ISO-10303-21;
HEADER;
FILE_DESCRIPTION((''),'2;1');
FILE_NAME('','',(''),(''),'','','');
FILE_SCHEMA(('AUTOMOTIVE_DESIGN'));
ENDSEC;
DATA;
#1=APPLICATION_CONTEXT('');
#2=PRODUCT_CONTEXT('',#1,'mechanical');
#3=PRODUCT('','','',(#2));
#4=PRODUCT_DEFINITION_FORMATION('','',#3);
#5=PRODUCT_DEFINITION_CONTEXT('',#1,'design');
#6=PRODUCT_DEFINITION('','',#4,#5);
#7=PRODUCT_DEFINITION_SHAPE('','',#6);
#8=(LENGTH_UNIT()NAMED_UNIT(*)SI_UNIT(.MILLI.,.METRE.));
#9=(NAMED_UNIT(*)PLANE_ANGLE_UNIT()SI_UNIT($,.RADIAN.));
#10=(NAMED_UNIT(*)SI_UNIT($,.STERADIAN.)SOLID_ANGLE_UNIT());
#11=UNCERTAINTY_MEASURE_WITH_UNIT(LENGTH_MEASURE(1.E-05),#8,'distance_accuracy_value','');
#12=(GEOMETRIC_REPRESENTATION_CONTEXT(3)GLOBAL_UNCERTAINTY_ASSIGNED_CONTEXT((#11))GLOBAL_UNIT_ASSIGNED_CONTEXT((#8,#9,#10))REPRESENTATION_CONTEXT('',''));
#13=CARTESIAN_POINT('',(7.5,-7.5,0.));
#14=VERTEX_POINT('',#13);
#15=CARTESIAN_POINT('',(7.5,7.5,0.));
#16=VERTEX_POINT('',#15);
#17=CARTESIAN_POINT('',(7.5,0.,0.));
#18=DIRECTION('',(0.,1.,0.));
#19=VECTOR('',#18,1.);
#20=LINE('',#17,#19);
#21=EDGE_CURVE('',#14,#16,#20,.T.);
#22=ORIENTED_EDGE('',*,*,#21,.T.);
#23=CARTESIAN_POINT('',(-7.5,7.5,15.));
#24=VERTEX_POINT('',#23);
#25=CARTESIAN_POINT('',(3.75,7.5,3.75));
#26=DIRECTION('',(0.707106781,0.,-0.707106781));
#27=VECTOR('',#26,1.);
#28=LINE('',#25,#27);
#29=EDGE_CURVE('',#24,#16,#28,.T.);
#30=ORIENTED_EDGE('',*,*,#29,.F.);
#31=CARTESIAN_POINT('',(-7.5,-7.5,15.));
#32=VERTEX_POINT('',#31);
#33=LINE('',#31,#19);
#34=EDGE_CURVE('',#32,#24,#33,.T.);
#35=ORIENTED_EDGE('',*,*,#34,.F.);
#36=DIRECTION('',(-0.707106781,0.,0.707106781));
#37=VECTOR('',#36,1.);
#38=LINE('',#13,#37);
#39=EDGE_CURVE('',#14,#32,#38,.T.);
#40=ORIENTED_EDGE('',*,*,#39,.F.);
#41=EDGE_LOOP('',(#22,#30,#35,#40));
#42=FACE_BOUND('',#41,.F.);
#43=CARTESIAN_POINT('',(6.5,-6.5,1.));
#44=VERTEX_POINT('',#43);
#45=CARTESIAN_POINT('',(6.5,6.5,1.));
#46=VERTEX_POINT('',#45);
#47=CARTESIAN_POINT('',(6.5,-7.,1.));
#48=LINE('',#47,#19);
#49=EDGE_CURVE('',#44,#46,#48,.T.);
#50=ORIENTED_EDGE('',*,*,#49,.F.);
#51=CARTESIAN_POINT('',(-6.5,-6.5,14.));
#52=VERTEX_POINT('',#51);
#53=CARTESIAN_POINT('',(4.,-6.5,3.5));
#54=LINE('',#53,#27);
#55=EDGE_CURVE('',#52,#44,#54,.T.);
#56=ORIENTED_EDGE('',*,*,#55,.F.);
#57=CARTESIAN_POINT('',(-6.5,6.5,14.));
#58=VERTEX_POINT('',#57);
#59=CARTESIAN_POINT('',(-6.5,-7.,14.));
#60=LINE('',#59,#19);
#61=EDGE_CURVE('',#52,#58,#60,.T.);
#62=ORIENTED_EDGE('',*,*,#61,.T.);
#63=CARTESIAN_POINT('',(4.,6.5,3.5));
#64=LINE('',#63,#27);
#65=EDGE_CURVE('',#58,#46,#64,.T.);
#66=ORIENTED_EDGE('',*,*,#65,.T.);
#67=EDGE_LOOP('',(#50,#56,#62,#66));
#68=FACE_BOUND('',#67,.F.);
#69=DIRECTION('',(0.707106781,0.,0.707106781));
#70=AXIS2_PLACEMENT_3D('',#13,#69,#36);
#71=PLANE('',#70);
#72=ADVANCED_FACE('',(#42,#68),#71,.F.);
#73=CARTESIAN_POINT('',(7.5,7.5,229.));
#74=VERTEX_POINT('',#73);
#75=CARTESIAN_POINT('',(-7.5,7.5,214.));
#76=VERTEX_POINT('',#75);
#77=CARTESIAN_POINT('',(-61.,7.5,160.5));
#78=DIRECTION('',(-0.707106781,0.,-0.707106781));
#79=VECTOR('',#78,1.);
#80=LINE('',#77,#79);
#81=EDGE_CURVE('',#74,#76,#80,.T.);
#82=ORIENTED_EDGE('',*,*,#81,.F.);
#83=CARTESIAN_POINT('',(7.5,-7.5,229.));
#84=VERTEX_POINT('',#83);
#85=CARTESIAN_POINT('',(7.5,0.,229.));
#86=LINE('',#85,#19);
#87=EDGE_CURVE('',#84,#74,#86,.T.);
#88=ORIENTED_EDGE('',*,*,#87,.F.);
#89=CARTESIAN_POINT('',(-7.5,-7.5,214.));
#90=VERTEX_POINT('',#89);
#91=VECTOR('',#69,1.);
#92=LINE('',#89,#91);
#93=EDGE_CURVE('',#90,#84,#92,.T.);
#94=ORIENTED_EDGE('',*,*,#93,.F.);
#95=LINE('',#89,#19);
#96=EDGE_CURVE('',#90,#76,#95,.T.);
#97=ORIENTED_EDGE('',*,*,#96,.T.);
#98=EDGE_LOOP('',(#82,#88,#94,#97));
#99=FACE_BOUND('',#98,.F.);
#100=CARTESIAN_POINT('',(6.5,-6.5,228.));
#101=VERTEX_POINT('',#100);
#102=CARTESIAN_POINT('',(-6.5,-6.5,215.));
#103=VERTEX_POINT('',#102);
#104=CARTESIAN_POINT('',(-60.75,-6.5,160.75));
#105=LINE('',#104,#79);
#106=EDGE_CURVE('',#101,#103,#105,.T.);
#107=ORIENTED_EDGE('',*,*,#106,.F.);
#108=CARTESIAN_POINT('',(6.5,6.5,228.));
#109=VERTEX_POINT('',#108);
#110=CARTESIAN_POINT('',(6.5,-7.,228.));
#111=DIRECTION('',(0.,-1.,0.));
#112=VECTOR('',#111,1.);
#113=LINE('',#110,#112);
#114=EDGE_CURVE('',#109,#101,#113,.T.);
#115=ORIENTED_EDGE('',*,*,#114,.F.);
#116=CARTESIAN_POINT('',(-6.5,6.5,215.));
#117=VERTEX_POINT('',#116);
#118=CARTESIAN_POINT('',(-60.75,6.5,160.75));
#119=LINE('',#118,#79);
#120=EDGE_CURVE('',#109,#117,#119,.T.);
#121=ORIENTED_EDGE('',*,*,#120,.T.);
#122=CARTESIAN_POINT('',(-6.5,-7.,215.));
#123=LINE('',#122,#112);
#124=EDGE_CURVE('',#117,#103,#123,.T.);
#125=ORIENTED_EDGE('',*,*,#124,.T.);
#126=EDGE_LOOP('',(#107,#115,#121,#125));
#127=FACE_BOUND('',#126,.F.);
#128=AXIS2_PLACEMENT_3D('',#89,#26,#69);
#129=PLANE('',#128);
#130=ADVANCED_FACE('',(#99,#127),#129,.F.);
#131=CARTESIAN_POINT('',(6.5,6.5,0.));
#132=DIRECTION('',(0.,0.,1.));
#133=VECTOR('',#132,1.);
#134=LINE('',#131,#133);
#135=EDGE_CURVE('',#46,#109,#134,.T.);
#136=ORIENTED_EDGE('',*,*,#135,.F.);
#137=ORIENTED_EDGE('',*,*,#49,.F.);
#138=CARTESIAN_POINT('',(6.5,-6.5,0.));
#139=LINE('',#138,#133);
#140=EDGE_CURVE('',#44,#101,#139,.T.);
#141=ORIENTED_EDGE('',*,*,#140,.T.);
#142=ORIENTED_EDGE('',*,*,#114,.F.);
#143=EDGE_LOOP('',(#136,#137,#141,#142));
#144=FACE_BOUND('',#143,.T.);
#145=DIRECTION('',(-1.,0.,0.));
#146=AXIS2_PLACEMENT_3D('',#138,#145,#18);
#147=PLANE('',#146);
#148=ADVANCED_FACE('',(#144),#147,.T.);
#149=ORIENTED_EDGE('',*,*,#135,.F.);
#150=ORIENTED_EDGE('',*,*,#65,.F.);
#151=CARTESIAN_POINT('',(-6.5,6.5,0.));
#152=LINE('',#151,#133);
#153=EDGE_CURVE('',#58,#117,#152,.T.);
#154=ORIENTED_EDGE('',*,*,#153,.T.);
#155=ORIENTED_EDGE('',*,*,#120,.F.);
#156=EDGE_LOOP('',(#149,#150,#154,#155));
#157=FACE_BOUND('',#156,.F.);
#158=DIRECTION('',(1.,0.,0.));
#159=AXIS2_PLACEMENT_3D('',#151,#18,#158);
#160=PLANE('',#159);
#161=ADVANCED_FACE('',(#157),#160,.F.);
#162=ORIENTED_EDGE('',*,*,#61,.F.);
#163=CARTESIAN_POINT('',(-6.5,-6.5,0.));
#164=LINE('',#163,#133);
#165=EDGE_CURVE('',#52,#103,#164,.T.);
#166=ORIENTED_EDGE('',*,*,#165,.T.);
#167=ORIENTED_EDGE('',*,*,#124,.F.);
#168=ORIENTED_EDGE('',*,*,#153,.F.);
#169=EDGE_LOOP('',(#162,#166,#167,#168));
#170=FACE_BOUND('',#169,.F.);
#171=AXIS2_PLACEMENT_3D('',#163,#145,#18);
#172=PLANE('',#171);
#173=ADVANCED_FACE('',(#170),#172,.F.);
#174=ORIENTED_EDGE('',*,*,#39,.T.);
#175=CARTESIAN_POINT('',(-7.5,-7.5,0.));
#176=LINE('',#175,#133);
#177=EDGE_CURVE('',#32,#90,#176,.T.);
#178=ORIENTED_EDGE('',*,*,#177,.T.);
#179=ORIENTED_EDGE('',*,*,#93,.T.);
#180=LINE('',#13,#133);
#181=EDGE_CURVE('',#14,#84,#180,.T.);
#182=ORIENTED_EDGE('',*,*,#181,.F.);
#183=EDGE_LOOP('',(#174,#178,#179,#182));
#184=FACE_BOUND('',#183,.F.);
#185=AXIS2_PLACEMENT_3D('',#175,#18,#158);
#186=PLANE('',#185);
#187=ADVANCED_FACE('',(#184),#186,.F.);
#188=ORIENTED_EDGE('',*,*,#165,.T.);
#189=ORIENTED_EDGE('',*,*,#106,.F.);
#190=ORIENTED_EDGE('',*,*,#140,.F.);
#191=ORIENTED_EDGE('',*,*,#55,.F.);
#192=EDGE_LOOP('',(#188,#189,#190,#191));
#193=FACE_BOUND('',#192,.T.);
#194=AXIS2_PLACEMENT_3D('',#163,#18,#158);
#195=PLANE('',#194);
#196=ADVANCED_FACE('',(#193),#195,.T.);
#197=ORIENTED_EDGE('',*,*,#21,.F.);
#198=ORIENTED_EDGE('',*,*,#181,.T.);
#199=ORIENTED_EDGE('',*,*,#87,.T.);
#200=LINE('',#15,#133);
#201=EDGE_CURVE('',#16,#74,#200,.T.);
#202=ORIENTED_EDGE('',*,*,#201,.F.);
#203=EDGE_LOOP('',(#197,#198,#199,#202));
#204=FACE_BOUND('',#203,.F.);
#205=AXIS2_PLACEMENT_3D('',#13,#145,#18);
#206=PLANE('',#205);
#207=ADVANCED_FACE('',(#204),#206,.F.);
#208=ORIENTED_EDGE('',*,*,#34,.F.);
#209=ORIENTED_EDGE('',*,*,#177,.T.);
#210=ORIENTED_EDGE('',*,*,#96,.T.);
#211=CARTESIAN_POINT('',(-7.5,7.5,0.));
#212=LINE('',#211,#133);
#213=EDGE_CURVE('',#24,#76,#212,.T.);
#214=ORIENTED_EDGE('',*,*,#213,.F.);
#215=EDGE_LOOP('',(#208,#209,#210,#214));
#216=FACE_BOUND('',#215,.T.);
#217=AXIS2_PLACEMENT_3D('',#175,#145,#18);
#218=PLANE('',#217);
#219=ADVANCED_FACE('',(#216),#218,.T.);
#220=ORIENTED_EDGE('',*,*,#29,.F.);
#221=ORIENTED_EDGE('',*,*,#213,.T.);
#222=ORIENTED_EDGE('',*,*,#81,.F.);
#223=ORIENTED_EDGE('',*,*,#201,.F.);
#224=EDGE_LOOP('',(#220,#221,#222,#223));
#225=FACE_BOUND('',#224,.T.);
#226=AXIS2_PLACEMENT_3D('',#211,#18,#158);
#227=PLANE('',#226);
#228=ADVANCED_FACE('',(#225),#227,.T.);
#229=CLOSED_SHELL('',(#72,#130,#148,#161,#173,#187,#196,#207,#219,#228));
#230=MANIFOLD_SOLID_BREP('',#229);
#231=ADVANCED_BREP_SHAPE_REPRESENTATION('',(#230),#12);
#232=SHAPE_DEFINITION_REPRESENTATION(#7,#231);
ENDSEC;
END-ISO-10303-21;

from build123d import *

# Parameters (mm, degrees)
F1_W     = 15
F1_H     = 15
F1_W_2   = 13
F1_H_2   = 13
F2_DEPTH = 229
F4_DEPTH = 25


with BuildPart() as f2:
    # F1 (on Top) → F2 (new body)
    with BuildSketch(Plane.XY):
        Rectangle(F1_W, F1_H)
        Rectangle(F1_W_2, F1_H_2, mode=Mode.SUBTRACT)
    extrude(amount=F2_DEPTH)

    # F3 (on face) → F4 (cut)
    with BuildSketch(Plane.XZ.offset(7.5)):
        Polygon((7.5, 0), (-7.5, 15), (-7.5, 0), align=None)
        Polygon((7.5, 229), (-7.5, 229), (-7.5, 214), align=None)
    extrude(amount=-F4_DEPTH, mode=Mode.SUBTRACT)


solid = f2.part
